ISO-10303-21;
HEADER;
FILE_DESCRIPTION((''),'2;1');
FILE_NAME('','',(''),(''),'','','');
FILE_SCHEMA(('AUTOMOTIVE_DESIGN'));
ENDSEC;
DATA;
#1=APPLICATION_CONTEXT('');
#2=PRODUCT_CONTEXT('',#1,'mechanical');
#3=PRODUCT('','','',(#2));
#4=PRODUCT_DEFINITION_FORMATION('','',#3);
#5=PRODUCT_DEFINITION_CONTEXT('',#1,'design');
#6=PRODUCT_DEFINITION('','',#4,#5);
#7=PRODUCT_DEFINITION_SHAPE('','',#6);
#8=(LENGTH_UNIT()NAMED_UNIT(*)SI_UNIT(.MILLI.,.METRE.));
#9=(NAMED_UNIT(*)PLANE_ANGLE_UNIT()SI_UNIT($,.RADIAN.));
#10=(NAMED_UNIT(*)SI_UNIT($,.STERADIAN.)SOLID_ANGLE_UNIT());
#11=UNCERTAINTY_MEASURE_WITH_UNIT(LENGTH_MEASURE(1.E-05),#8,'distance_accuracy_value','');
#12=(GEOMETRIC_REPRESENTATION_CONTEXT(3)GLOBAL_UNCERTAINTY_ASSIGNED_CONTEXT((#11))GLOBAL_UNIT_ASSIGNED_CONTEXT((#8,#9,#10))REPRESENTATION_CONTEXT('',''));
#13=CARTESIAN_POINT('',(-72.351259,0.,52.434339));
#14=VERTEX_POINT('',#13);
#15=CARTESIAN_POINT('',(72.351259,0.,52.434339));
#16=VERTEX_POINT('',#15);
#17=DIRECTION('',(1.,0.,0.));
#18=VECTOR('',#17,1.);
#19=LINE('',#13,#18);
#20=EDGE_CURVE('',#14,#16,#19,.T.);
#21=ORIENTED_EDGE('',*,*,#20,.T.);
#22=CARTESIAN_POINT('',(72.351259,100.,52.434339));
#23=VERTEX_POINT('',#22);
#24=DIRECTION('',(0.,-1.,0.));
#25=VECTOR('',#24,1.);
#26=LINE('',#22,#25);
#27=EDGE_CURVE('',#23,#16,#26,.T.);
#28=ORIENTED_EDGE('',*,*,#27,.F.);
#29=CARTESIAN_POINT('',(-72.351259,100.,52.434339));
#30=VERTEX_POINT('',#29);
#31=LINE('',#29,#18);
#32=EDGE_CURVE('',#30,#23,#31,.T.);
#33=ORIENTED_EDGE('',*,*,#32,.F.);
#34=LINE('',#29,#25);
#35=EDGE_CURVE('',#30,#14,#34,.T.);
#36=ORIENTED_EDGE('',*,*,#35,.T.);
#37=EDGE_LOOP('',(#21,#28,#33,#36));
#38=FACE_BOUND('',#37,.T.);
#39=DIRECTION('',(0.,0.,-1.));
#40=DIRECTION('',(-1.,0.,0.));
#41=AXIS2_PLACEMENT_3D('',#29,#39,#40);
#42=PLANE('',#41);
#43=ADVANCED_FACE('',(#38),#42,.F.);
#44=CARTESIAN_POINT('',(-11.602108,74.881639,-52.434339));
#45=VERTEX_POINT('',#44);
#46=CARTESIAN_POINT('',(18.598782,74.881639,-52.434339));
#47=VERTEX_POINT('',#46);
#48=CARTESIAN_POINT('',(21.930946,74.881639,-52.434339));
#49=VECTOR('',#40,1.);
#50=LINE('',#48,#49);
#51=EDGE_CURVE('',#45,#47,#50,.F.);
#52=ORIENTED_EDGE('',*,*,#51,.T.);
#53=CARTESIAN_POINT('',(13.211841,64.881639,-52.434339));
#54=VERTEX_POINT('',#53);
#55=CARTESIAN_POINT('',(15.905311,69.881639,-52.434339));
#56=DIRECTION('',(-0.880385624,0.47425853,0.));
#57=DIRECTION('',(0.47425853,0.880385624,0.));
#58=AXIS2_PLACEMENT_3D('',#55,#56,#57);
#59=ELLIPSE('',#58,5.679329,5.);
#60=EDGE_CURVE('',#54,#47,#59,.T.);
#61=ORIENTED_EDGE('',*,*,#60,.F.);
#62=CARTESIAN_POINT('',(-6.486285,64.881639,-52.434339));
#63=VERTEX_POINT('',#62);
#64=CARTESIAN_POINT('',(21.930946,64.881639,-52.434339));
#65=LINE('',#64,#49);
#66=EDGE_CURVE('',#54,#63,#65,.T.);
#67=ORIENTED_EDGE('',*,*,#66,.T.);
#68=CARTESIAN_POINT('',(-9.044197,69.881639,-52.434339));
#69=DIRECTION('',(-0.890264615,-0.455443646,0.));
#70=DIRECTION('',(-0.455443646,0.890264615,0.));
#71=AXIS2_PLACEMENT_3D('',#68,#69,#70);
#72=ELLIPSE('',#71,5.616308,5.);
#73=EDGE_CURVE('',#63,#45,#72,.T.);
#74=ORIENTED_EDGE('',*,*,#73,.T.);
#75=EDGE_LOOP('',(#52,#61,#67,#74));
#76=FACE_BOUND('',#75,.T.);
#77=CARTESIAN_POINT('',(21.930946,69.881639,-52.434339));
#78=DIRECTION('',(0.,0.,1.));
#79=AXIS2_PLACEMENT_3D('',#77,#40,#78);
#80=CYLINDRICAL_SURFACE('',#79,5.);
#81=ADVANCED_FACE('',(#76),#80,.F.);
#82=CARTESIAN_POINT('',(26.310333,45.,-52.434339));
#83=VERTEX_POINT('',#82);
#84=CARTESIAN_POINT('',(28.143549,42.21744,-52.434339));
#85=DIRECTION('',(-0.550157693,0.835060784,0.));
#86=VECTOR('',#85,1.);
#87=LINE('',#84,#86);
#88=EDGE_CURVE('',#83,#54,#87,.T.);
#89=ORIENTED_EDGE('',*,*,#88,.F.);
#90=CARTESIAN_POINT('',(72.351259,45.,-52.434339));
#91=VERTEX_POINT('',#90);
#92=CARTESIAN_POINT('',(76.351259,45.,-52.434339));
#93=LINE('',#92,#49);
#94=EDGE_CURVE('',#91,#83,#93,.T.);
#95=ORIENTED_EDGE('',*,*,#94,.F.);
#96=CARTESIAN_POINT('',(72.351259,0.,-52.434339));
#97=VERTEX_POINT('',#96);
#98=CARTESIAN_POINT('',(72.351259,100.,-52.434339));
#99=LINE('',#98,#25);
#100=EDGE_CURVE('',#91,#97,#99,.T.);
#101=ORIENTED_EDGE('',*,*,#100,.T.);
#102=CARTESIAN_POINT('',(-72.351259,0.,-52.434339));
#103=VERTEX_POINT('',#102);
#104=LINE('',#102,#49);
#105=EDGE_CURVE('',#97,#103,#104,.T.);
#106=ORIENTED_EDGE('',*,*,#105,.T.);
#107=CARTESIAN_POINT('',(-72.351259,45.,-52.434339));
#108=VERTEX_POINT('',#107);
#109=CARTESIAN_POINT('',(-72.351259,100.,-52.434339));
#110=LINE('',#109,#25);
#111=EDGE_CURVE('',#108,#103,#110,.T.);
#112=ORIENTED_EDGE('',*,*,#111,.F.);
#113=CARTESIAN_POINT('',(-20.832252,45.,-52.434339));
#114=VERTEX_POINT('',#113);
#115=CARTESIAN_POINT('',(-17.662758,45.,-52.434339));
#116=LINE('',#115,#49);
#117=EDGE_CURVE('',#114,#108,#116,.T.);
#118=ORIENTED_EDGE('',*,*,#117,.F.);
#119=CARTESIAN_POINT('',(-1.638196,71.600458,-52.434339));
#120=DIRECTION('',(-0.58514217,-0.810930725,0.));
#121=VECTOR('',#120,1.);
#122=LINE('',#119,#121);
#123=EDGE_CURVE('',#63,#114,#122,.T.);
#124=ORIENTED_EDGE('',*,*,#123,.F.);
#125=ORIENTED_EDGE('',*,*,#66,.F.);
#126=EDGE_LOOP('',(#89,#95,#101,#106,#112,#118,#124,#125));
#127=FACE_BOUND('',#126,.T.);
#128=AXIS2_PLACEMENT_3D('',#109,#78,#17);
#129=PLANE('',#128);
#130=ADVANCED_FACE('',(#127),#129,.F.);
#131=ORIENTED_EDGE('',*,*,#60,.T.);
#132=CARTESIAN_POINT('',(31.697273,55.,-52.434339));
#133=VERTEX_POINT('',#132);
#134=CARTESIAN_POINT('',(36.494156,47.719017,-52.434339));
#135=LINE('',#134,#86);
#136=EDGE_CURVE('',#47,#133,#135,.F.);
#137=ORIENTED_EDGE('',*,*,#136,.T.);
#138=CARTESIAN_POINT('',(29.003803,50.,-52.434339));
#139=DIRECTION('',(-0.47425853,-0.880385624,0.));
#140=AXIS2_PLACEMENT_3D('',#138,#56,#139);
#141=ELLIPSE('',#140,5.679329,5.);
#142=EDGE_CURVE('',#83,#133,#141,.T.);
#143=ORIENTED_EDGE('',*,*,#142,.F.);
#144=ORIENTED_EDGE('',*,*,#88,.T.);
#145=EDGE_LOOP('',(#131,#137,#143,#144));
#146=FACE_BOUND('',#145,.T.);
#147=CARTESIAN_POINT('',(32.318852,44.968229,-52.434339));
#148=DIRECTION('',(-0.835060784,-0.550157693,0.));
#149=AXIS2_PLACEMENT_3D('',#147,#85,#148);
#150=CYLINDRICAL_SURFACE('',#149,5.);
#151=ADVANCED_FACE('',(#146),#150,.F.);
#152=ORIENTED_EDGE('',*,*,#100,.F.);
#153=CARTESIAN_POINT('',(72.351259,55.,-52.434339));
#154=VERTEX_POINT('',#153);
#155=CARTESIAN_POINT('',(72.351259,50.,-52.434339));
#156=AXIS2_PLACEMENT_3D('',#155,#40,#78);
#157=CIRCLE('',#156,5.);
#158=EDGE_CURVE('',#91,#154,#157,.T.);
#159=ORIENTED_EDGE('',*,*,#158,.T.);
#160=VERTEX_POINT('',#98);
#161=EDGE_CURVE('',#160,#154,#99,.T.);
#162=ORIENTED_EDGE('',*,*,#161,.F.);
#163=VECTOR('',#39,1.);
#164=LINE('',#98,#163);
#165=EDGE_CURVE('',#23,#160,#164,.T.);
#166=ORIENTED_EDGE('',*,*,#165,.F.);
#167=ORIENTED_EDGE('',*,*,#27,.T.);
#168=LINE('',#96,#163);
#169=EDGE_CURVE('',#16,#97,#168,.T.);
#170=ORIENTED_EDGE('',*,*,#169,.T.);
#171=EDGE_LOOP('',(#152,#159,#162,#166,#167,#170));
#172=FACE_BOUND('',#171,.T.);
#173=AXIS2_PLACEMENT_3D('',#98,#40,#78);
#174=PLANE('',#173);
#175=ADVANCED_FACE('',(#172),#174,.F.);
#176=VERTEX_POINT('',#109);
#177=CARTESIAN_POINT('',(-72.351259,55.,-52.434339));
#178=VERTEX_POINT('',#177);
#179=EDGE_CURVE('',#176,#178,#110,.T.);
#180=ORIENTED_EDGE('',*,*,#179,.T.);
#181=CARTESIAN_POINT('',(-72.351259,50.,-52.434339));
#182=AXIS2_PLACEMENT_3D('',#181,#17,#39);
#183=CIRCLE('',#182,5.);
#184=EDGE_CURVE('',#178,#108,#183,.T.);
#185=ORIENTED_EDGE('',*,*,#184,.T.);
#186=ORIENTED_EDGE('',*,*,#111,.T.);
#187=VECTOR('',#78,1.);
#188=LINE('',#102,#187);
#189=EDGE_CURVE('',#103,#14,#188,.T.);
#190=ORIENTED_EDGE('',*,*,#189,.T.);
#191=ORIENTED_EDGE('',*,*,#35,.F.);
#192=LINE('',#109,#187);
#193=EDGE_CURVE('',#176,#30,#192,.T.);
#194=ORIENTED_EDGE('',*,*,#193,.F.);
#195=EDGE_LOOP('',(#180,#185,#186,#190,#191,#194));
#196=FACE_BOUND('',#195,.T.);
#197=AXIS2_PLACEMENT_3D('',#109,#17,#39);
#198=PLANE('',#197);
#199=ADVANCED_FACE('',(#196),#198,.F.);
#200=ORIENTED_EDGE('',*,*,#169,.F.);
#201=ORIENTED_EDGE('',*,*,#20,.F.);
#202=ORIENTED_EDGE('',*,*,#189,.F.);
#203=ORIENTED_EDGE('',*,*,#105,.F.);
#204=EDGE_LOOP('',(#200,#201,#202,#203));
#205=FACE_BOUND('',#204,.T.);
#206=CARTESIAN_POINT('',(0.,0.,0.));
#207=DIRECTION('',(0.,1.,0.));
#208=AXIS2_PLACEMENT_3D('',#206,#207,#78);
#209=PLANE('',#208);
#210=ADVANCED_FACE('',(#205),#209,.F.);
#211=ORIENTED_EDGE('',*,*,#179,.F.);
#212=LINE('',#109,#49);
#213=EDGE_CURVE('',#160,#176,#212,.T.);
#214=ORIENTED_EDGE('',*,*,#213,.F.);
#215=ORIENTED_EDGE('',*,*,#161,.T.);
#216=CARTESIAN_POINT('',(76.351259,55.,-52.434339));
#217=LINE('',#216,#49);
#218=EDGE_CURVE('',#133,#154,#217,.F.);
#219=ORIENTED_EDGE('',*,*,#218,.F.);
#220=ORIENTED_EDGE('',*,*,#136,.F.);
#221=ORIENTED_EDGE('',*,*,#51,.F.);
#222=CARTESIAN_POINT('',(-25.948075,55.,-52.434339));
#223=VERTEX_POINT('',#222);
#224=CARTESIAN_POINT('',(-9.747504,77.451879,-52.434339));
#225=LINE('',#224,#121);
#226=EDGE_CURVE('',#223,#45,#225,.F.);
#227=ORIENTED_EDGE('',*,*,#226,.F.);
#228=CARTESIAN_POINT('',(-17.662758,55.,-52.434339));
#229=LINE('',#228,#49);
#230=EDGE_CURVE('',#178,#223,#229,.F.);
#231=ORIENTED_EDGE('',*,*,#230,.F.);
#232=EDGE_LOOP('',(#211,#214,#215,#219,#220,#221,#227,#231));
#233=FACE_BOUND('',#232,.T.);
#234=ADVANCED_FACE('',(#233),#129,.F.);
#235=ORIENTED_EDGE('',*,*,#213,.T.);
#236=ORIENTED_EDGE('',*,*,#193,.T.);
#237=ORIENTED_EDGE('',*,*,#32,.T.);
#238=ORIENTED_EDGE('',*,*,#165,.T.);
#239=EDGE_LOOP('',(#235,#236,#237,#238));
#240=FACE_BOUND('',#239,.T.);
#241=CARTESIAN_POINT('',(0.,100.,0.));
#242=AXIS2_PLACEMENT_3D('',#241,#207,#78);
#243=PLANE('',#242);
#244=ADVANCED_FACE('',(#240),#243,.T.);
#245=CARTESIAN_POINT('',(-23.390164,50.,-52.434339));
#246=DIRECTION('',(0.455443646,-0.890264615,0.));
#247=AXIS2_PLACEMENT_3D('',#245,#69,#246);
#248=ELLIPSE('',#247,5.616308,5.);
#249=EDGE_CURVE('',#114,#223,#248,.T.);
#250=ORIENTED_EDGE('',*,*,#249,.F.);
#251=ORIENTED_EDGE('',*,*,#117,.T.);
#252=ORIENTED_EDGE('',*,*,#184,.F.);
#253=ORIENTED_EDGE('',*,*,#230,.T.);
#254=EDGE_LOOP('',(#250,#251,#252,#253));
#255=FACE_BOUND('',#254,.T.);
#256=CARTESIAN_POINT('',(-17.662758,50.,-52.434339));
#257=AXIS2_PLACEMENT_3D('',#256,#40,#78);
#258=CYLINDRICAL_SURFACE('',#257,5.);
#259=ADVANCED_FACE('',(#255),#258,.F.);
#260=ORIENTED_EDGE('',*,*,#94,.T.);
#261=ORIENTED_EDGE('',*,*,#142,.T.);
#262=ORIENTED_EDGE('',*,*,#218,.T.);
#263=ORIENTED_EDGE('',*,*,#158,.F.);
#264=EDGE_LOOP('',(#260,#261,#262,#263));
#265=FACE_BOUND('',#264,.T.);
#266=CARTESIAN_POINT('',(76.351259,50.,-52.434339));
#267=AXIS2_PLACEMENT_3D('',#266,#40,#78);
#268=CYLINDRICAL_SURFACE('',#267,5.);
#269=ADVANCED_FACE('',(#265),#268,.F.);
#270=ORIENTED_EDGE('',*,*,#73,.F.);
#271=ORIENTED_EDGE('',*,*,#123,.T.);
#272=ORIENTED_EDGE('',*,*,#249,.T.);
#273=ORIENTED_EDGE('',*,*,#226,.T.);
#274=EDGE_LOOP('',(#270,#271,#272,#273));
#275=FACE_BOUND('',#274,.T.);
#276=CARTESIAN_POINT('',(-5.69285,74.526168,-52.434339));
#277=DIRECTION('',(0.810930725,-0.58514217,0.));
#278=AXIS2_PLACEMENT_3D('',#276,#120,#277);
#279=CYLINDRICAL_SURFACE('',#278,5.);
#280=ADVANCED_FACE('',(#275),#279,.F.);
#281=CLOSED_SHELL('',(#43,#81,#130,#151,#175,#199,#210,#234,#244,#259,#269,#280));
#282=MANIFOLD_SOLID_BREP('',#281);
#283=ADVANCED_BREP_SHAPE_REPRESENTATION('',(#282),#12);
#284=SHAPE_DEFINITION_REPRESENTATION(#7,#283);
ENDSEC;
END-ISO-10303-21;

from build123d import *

# Parameters (mm, degrees)
SKETCH1_W            = 144.702517086
SKETCH1_H            = 104.868678114
BOSS_EXTRUDE5_DEPTH  = 100
CUT_SWEEP2_PROFILE_R = 5


with BuildPart() as part:
    # Sketch1 → Boss-Extrude5 (new body)
    with BuildSketch(Plane(origin=(0, 0, 0), x_dir=(1, 0, 0), z_dir=(0, 1, 0))):
        Rectangle(SKETCH1_W, SKETCH1_H)
    extrude(amount=BOSS_EXTRUDE5_DEPTH)

    # Cut-Sweep2: sweep along a path in Sketch14
    with BuildLine(Plane(origin=(0, 0, -52.434339057), x_dir=(-1, 0, 0), z_dir=(0, 0, -1))) as cut_sweep2_path:
        Line((-72.351258543, 50), (-29.003803048, 50))
        Line((-29.003803048, 50), (-15.905311349, 69.881639186))
        Line((-15.905311349, 69.881639186), (9.044196649, 69.881639186))
        Line((9.044196649, 69.881639186), (23.390163748, 50))
        Line((23.390163748, 50), (72.351258543, 50))
    # Cut-Sweep2 profile (on start of the path) → Cut-Sweep2 (sweep, cut)
    with BuildSketch(Plane(origin=(72.351258543, 50, -52.434339057), x_dir=(0, 0, -1), z_dir=(-1, 0, 0))):
        Circle(CUT_SWEEP2_PROFILE_R)
    sweep(path=cut_sweep2_path.line, transition=Transition.RIGHT, mode=Mode.SUBTRACT)


solid = part.part
